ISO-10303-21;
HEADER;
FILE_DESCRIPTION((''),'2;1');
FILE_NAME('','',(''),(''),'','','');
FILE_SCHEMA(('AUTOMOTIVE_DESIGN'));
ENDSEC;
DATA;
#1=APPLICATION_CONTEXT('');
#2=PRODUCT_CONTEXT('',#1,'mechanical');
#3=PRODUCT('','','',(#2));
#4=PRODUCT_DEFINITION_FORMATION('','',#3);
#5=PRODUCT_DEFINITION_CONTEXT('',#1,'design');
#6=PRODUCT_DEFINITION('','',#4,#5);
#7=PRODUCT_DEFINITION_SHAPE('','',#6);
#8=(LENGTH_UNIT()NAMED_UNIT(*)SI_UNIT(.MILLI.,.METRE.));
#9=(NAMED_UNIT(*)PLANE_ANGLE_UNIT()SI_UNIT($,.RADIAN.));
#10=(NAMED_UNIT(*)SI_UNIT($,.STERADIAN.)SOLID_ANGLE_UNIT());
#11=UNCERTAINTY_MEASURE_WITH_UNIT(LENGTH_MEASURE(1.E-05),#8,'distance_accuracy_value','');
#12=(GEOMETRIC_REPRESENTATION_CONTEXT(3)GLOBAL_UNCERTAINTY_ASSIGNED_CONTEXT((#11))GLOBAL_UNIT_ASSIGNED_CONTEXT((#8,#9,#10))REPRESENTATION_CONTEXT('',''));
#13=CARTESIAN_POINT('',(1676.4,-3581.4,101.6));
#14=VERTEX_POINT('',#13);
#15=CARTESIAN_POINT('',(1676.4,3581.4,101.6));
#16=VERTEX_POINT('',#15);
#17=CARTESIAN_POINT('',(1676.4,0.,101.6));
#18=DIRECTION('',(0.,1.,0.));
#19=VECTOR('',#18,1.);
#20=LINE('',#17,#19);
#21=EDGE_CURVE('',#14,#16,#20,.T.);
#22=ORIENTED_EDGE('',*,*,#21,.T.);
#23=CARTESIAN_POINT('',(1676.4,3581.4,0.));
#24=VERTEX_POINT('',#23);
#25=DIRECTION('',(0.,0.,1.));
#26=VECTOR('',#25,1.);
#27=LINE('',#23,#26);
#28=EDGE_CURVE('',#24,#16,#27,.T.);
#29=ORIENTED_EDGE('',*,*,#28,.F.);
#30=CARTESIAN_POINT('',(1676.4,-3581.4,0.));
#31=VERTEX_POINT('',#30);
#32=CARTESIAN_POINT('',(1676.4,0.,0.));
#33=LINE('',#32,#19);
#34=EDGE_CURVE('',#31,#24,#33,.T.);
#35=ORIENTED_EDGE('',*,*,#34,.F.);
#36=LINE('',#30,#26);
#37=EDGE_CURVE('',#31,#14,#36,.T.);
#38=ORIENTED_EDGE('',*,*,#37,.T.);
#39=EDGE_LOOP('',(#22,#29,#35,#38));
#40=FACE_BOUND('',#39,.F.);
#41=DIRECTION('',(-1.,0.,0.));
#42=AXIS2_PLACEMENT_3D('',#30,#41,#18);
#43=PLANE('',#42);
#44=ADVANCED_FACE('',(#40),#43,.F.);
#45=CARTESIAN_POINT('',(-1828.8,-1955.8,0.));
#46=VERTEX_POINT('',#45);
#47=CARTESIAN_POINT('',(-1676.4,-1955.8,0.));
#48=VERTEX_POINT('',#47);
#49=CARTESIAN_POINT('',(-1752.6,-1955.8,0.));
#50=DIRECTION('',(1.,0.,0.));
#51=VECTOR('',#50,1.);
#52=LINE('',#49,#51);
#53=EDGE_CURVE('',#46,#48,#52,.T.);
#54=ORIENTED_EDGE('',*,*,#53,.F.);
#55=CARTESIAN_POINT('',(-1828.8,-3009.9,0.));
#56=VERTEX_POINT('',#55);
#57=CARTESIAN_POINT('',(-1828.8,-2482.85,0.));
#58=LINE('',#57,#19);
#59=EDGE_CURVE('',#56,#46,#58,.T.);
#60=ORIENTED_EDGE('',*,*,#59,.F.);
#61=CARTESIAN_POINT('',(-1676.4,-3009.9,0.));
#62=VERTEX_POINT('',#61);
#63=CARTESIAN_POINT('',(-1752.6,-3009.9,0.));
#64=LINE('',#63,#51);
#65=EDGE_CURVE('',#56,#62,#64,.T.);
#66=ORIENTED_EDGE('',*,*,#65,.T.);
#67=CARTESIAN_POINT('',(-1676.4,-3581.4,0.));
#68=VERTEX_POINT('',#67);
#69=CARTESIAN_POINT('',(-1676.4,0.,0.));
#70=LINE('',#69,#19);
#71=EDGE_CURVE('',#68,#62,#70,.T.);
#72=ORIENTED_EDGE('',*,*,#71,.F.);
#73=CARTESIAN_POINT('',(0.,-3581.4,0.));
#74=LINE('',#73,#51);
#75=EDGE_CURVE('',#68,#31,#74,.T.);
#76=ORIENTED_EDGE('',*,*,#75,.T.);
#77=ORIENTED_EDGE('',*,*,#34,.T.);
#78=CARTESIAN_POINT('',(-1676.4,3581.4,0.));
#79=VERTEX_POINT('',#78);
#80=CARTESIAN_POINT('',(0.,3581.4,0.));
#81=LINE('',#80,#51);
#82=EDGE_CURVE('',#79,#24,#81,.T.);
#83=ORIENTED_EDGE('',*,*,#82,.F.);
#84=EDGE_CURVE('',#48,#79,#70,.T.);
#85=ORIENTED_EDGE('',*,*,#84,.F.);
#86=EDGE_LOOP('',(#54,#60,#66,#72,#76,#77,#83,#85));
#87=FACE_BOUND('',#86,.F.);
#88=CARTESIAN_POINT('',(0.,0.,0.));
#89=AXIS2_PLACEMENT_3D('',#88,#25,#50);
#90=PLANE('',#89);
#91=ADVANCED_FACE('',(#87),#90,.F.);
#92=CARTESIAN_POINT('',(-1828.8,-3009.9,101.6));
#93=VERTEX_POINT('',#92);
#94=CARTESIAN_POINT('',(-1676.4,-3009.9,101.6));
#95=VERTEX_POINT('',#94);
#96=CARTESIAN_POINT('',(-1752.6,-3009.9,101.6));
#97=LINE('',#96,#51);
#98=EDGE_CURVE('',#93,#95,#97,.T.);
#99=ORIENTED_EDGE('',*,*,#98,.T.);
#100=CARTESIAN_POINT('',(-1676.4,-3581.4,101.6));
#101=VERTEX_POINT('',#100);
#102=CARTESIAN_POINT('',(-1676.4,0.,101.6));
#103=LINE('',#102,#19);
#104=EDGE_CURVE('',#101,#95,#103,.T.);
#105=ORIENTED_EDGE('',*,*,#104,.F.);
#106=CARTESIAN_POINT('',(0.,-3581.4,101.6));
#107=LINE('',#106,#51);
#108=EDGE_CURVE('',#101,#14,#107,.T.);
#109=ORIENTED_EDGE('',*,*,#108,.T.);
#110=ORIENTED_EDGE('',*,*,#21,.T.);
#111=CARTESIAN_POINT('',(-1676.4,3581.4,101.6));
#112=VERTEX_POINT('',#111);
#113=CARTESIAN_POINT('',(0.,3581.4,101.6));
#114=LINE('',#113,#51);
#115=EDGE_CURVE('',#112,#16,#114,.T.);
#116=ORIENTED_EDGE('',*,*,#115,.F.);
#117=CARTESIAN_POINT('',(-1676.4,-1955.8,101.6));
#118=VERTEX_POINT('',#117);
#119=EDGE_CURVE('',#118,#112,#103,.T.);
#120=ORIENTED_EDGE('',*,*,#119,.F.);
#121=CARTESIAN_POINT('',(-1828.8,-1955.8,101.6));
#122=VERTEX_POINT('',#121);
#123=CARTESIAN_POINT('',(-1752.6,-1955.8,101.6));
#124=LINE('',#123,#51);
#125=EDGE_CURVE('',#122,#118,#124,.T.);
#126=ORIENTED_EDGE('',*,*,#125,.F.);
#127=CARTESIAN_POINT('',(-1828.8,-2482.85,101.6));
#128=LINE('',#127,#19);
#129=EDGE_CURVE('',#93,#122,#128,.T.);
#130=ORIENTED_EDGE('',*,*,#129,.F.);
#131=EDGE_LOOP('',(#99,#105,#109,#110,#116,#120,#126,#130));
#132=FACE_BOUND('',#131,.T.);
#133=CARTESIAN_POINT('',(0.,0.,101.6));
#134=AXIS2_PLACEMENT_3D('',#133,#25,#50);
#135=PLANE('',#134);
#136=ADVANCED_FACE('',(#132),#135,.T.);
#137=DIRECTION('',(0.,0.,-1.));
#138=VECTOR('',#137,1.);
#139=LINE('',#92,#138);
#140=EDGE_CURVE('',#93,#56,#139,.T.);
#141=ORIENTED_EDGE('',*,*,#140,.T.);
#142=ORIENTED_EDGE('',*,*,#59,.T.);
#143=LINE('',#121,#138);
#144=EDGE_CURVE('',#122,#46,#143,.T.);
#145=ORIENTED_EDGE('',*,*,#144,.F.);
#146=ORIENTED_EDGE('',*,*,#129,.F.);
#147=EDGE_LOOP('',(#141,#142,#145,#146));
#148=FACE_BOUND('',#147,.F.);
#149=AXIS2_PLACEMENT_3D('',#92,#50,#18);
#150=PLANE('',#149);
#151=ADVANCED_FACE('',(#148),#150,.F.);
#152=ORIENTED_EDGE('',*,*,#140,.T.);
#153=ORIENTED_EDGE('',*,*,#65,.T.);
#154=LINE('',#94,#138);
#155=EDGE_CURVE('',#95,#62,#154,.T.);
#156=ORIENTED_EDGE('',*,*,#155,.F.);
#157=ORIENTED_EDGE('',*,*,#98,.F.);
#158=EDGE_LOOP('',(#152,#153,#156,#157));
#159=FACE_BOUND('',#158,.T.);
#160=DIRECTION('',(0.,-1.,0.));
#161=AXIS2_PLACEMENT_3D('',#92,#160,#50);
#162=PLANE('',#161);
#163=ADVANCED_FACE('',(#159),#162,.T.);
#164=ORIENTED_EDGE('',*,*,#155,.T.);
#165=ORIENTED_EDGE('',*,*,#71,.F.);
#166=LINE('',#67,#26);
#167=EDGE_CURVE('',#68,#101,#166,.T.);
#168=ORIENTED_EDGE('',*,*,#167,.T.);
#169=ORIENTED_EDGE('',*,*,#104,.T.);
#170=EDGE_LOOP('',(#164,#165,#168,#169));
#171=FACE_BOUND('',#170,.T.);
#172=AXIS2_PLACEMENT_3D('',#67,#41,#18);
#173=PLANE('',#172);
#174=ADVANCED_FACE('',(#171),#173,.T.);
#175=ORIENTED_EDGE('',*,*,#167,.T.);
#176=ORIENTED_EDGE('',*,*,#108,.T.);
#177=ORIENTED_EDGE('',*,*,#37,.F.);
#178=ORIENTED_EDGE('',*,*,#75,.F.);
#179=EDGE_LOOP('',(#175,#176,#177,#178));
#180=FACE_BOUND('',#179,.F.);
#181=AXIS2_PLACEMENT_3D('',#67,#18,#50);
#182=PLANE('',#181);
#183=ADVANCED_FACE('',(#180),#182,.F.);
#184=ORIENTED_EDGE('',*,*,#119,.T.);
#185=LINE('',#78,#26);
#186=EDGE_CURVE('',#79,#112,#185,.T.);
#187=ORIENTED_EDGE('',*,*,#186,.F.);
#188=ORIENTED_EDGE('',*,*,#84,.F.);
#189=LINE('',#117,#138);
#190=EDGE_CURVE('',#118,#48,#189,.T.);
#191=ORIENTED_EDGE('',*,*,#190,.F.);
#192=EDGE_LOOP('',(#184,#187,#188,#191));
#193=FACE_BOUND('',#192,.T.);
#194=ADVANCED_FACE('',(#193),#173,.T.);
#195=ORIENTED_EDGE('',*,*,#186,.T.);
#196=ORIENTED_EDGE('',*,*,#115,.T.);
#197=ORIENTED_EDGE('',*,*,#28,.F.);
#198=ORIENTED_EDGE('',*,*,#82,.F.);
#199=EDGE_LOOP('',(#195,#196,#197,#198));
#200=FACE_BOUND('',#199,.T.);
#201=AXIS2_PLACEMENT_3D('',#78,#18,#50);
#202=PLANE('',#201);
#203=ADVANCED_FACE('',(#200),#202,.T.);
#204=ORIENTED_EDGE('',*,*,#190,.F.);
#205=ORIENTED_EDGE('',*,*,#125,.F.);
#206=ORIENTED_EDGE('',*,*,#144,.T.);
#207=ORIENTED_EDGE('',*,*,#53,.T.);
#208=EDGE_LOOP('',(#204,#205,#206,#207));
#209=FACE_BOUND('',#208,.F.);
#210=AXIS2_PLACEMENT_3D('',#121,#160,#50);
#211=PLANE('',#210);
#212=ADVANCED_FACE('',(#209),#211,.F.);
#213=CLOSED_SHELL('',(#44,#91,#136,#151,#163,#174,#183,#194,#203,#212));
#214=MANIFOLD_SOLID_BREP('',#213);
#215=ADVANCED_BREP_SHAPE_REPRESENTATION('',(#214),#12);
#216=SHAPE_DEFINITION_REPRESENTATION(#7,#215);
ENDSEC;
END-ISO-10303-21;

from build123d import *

# Parameters (mm, degrees)
F0_W     = 3352.8
F0_H     = 7162.8
F1_DEPTH = 101.6
F2_W     = 152.4
F2_H     = 1054.1
F3_DEPTH = 101.6


with BuildPart() as f1:
    # F0 (on Top) → F1 (new body)
    with BuildSketch(Plane.XY):
        Rectangle(F0_W, F0_H)
    extrude(amount=F1_DEPTH)

    # F2 (on face) → F3 (join, through all)
    with BuildSketch(Plane.XY.offset(101.6)):
        with Locations((-1752.6, -2482.85)):
            Rectangle(F2_W, F2_H)
    extrude(amount=-F3_DEPTH)


solid = f1.part
